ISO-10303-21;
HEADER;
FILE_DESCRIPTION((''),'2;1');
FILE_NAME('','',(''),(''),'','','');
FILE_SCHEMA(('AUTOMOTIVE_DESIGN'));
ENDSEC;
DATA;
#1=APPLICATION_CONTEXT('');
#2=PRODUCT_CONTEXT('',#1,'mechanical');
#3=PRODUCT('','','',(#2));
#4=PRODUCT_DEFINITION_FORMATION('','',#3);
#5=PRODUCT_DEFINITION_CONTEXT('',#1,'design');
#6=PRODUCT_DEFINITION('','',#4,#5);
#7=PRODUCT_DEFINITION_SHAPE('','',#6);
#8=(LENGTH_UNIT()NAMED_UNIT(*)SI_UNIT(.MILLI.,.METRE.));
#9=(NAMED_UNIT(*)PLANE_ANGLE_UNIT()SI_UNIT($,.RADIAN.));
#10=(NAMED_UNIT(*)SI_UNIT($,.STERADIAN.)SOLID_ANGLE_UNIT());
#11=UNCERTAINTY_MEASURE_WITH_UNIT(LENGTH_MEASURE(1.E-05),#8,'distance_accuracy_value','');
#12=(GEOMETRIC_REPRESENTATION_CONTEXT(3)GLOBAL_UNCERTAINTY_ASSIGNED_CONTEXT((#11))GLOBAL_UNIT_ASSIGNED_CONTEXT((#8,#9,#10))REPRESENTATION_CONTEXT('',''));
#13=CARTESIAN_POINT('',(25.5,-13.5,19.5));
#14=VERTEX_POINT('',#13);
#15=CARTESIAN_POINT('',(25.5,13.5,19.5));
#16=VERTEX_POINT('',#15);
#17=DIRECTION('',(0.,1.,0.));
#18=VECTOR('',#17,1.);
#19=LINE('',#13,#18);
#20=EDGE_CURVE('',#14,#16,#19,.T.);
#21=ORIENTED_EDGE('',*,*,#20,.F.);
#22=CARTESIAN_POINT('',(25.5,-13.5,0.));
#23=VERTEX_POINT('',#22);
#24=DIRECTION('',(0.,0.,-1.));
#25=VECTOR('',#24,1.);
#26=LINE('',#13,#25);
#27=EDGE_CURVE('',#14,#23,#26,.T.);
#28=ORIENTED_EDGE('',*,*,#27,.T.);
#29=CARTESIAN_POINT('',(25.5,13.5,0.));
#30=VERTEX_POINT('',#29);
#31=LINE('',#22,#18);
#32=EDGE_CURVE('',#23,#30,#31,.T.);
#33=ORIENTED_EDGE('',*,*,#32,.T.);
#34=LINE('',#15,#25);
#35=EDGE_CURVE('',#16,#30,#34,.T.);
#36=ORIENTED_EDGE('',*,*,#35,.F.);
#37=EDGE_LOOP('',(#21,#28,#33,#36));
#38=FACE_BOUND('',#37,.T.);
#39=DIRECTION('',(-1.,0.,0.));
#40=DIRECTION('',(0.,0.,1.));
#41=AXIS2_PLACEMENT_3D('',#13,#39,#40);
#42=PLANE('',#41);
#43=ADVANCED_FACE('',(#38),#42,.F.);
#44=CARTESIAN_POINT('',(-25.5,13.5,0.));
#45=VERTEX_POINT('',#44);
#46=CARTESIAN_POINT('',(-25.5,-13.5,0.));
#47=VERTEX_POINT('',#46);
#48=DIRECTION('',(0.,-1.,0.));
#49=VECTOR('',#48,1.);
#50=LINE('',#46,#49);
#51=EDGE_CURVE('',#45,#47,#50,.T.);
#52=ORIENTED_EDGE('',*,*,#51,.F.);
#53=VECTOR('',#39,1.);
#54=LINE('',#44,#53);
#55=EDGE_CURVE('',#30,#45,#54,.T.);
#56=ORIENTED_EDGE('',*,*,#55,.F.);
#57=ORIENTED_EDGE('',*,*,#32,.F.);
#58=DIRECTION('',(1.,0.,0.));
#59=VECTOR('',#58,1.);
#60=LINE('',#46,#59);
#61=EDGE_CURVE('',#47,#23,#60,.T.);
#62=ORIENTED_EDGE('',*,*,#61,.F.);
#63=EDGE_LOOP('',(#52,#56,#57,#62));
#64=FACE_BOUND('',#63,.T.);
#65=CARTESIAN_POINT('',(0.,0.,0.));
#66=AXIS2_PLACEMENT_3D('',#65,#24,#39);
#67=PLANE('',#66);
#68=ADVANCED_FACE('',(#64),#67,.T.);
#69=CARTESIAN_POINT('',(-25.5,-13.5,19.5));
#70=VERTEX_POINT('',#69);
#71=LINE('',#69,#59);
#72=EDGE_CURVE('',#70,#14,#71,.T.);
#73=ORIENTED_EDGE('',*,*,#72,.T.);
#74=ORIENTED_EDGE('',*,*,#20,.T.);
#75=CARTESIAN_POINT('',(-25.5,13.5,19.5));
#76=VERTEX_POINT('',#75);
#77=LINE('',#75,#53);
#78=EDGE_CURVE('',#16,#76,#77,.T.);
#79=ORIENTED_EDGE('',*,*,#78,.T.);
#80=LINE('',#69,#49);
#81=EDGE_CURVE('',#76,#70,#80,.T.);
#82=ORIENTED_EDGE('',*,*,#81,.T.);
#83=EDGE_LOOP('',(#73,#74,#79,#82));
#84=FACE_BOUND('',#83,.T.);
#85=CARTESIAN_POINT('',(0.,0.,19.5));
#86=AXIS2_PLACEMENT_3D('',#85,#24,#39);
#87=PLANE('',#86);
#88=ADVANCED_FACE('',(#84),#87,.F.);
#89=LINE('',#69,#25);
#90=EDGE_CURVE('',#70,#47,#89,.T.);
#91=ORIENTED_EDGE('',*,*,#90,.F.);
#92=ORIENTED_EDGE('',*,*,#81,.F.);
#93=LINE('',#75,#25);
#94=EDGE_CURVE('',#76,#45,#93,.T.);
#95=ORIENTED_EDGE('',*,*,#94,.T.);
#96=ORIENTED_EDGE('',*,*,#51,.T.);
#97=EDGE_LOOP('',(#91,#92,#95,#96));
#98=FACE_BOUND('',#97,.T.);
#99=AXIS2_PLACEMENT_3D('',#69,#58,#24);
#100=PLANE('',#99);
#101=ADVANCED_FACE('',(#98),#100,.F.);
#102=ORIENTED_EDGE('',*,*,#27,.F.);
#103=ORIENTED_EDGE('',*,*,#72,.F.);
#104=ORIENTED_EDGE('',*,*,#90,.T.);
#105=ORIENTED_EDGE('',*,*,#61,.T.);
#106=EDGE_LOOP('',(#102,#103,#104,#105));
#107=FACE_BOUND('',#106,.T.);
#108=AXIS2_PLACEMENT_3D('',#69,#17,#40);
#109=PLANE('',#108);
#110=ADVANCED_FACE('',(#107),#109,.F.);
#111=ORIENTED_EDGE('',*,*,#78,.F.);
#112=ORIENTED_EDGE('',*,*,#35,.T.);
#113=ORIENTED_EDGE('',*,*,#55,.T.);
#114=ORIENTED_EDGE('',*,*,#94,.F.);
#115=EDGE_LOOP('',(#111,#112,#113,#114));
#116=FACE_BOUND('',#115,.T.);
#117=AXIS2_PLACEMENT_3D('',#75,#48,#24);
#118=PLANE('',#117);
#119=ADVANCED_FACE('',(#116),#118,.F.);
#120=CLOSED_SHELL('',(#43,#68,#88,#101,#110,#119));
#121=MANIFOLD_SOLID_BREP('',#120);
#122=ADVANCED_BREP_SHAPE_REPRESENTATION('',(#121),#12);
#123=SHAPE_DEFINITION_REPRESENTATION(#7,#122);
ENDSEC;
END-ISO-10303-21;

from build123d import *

# Parameters (mm, degrees)
SKETCH1_W      = 51
SKETCH1_H      = 27
ENVELOPE_DEPTH = 19.5


with BuildPart() as part:
    # Sketch1 → Envelope (new body)
    with BuildSketch(Plane.XY):
        Rectangle(SKETCH1_W, SKETCH1_H)
    extrude(amount=ENVELOPE_DEPTH)


solid = part.part
